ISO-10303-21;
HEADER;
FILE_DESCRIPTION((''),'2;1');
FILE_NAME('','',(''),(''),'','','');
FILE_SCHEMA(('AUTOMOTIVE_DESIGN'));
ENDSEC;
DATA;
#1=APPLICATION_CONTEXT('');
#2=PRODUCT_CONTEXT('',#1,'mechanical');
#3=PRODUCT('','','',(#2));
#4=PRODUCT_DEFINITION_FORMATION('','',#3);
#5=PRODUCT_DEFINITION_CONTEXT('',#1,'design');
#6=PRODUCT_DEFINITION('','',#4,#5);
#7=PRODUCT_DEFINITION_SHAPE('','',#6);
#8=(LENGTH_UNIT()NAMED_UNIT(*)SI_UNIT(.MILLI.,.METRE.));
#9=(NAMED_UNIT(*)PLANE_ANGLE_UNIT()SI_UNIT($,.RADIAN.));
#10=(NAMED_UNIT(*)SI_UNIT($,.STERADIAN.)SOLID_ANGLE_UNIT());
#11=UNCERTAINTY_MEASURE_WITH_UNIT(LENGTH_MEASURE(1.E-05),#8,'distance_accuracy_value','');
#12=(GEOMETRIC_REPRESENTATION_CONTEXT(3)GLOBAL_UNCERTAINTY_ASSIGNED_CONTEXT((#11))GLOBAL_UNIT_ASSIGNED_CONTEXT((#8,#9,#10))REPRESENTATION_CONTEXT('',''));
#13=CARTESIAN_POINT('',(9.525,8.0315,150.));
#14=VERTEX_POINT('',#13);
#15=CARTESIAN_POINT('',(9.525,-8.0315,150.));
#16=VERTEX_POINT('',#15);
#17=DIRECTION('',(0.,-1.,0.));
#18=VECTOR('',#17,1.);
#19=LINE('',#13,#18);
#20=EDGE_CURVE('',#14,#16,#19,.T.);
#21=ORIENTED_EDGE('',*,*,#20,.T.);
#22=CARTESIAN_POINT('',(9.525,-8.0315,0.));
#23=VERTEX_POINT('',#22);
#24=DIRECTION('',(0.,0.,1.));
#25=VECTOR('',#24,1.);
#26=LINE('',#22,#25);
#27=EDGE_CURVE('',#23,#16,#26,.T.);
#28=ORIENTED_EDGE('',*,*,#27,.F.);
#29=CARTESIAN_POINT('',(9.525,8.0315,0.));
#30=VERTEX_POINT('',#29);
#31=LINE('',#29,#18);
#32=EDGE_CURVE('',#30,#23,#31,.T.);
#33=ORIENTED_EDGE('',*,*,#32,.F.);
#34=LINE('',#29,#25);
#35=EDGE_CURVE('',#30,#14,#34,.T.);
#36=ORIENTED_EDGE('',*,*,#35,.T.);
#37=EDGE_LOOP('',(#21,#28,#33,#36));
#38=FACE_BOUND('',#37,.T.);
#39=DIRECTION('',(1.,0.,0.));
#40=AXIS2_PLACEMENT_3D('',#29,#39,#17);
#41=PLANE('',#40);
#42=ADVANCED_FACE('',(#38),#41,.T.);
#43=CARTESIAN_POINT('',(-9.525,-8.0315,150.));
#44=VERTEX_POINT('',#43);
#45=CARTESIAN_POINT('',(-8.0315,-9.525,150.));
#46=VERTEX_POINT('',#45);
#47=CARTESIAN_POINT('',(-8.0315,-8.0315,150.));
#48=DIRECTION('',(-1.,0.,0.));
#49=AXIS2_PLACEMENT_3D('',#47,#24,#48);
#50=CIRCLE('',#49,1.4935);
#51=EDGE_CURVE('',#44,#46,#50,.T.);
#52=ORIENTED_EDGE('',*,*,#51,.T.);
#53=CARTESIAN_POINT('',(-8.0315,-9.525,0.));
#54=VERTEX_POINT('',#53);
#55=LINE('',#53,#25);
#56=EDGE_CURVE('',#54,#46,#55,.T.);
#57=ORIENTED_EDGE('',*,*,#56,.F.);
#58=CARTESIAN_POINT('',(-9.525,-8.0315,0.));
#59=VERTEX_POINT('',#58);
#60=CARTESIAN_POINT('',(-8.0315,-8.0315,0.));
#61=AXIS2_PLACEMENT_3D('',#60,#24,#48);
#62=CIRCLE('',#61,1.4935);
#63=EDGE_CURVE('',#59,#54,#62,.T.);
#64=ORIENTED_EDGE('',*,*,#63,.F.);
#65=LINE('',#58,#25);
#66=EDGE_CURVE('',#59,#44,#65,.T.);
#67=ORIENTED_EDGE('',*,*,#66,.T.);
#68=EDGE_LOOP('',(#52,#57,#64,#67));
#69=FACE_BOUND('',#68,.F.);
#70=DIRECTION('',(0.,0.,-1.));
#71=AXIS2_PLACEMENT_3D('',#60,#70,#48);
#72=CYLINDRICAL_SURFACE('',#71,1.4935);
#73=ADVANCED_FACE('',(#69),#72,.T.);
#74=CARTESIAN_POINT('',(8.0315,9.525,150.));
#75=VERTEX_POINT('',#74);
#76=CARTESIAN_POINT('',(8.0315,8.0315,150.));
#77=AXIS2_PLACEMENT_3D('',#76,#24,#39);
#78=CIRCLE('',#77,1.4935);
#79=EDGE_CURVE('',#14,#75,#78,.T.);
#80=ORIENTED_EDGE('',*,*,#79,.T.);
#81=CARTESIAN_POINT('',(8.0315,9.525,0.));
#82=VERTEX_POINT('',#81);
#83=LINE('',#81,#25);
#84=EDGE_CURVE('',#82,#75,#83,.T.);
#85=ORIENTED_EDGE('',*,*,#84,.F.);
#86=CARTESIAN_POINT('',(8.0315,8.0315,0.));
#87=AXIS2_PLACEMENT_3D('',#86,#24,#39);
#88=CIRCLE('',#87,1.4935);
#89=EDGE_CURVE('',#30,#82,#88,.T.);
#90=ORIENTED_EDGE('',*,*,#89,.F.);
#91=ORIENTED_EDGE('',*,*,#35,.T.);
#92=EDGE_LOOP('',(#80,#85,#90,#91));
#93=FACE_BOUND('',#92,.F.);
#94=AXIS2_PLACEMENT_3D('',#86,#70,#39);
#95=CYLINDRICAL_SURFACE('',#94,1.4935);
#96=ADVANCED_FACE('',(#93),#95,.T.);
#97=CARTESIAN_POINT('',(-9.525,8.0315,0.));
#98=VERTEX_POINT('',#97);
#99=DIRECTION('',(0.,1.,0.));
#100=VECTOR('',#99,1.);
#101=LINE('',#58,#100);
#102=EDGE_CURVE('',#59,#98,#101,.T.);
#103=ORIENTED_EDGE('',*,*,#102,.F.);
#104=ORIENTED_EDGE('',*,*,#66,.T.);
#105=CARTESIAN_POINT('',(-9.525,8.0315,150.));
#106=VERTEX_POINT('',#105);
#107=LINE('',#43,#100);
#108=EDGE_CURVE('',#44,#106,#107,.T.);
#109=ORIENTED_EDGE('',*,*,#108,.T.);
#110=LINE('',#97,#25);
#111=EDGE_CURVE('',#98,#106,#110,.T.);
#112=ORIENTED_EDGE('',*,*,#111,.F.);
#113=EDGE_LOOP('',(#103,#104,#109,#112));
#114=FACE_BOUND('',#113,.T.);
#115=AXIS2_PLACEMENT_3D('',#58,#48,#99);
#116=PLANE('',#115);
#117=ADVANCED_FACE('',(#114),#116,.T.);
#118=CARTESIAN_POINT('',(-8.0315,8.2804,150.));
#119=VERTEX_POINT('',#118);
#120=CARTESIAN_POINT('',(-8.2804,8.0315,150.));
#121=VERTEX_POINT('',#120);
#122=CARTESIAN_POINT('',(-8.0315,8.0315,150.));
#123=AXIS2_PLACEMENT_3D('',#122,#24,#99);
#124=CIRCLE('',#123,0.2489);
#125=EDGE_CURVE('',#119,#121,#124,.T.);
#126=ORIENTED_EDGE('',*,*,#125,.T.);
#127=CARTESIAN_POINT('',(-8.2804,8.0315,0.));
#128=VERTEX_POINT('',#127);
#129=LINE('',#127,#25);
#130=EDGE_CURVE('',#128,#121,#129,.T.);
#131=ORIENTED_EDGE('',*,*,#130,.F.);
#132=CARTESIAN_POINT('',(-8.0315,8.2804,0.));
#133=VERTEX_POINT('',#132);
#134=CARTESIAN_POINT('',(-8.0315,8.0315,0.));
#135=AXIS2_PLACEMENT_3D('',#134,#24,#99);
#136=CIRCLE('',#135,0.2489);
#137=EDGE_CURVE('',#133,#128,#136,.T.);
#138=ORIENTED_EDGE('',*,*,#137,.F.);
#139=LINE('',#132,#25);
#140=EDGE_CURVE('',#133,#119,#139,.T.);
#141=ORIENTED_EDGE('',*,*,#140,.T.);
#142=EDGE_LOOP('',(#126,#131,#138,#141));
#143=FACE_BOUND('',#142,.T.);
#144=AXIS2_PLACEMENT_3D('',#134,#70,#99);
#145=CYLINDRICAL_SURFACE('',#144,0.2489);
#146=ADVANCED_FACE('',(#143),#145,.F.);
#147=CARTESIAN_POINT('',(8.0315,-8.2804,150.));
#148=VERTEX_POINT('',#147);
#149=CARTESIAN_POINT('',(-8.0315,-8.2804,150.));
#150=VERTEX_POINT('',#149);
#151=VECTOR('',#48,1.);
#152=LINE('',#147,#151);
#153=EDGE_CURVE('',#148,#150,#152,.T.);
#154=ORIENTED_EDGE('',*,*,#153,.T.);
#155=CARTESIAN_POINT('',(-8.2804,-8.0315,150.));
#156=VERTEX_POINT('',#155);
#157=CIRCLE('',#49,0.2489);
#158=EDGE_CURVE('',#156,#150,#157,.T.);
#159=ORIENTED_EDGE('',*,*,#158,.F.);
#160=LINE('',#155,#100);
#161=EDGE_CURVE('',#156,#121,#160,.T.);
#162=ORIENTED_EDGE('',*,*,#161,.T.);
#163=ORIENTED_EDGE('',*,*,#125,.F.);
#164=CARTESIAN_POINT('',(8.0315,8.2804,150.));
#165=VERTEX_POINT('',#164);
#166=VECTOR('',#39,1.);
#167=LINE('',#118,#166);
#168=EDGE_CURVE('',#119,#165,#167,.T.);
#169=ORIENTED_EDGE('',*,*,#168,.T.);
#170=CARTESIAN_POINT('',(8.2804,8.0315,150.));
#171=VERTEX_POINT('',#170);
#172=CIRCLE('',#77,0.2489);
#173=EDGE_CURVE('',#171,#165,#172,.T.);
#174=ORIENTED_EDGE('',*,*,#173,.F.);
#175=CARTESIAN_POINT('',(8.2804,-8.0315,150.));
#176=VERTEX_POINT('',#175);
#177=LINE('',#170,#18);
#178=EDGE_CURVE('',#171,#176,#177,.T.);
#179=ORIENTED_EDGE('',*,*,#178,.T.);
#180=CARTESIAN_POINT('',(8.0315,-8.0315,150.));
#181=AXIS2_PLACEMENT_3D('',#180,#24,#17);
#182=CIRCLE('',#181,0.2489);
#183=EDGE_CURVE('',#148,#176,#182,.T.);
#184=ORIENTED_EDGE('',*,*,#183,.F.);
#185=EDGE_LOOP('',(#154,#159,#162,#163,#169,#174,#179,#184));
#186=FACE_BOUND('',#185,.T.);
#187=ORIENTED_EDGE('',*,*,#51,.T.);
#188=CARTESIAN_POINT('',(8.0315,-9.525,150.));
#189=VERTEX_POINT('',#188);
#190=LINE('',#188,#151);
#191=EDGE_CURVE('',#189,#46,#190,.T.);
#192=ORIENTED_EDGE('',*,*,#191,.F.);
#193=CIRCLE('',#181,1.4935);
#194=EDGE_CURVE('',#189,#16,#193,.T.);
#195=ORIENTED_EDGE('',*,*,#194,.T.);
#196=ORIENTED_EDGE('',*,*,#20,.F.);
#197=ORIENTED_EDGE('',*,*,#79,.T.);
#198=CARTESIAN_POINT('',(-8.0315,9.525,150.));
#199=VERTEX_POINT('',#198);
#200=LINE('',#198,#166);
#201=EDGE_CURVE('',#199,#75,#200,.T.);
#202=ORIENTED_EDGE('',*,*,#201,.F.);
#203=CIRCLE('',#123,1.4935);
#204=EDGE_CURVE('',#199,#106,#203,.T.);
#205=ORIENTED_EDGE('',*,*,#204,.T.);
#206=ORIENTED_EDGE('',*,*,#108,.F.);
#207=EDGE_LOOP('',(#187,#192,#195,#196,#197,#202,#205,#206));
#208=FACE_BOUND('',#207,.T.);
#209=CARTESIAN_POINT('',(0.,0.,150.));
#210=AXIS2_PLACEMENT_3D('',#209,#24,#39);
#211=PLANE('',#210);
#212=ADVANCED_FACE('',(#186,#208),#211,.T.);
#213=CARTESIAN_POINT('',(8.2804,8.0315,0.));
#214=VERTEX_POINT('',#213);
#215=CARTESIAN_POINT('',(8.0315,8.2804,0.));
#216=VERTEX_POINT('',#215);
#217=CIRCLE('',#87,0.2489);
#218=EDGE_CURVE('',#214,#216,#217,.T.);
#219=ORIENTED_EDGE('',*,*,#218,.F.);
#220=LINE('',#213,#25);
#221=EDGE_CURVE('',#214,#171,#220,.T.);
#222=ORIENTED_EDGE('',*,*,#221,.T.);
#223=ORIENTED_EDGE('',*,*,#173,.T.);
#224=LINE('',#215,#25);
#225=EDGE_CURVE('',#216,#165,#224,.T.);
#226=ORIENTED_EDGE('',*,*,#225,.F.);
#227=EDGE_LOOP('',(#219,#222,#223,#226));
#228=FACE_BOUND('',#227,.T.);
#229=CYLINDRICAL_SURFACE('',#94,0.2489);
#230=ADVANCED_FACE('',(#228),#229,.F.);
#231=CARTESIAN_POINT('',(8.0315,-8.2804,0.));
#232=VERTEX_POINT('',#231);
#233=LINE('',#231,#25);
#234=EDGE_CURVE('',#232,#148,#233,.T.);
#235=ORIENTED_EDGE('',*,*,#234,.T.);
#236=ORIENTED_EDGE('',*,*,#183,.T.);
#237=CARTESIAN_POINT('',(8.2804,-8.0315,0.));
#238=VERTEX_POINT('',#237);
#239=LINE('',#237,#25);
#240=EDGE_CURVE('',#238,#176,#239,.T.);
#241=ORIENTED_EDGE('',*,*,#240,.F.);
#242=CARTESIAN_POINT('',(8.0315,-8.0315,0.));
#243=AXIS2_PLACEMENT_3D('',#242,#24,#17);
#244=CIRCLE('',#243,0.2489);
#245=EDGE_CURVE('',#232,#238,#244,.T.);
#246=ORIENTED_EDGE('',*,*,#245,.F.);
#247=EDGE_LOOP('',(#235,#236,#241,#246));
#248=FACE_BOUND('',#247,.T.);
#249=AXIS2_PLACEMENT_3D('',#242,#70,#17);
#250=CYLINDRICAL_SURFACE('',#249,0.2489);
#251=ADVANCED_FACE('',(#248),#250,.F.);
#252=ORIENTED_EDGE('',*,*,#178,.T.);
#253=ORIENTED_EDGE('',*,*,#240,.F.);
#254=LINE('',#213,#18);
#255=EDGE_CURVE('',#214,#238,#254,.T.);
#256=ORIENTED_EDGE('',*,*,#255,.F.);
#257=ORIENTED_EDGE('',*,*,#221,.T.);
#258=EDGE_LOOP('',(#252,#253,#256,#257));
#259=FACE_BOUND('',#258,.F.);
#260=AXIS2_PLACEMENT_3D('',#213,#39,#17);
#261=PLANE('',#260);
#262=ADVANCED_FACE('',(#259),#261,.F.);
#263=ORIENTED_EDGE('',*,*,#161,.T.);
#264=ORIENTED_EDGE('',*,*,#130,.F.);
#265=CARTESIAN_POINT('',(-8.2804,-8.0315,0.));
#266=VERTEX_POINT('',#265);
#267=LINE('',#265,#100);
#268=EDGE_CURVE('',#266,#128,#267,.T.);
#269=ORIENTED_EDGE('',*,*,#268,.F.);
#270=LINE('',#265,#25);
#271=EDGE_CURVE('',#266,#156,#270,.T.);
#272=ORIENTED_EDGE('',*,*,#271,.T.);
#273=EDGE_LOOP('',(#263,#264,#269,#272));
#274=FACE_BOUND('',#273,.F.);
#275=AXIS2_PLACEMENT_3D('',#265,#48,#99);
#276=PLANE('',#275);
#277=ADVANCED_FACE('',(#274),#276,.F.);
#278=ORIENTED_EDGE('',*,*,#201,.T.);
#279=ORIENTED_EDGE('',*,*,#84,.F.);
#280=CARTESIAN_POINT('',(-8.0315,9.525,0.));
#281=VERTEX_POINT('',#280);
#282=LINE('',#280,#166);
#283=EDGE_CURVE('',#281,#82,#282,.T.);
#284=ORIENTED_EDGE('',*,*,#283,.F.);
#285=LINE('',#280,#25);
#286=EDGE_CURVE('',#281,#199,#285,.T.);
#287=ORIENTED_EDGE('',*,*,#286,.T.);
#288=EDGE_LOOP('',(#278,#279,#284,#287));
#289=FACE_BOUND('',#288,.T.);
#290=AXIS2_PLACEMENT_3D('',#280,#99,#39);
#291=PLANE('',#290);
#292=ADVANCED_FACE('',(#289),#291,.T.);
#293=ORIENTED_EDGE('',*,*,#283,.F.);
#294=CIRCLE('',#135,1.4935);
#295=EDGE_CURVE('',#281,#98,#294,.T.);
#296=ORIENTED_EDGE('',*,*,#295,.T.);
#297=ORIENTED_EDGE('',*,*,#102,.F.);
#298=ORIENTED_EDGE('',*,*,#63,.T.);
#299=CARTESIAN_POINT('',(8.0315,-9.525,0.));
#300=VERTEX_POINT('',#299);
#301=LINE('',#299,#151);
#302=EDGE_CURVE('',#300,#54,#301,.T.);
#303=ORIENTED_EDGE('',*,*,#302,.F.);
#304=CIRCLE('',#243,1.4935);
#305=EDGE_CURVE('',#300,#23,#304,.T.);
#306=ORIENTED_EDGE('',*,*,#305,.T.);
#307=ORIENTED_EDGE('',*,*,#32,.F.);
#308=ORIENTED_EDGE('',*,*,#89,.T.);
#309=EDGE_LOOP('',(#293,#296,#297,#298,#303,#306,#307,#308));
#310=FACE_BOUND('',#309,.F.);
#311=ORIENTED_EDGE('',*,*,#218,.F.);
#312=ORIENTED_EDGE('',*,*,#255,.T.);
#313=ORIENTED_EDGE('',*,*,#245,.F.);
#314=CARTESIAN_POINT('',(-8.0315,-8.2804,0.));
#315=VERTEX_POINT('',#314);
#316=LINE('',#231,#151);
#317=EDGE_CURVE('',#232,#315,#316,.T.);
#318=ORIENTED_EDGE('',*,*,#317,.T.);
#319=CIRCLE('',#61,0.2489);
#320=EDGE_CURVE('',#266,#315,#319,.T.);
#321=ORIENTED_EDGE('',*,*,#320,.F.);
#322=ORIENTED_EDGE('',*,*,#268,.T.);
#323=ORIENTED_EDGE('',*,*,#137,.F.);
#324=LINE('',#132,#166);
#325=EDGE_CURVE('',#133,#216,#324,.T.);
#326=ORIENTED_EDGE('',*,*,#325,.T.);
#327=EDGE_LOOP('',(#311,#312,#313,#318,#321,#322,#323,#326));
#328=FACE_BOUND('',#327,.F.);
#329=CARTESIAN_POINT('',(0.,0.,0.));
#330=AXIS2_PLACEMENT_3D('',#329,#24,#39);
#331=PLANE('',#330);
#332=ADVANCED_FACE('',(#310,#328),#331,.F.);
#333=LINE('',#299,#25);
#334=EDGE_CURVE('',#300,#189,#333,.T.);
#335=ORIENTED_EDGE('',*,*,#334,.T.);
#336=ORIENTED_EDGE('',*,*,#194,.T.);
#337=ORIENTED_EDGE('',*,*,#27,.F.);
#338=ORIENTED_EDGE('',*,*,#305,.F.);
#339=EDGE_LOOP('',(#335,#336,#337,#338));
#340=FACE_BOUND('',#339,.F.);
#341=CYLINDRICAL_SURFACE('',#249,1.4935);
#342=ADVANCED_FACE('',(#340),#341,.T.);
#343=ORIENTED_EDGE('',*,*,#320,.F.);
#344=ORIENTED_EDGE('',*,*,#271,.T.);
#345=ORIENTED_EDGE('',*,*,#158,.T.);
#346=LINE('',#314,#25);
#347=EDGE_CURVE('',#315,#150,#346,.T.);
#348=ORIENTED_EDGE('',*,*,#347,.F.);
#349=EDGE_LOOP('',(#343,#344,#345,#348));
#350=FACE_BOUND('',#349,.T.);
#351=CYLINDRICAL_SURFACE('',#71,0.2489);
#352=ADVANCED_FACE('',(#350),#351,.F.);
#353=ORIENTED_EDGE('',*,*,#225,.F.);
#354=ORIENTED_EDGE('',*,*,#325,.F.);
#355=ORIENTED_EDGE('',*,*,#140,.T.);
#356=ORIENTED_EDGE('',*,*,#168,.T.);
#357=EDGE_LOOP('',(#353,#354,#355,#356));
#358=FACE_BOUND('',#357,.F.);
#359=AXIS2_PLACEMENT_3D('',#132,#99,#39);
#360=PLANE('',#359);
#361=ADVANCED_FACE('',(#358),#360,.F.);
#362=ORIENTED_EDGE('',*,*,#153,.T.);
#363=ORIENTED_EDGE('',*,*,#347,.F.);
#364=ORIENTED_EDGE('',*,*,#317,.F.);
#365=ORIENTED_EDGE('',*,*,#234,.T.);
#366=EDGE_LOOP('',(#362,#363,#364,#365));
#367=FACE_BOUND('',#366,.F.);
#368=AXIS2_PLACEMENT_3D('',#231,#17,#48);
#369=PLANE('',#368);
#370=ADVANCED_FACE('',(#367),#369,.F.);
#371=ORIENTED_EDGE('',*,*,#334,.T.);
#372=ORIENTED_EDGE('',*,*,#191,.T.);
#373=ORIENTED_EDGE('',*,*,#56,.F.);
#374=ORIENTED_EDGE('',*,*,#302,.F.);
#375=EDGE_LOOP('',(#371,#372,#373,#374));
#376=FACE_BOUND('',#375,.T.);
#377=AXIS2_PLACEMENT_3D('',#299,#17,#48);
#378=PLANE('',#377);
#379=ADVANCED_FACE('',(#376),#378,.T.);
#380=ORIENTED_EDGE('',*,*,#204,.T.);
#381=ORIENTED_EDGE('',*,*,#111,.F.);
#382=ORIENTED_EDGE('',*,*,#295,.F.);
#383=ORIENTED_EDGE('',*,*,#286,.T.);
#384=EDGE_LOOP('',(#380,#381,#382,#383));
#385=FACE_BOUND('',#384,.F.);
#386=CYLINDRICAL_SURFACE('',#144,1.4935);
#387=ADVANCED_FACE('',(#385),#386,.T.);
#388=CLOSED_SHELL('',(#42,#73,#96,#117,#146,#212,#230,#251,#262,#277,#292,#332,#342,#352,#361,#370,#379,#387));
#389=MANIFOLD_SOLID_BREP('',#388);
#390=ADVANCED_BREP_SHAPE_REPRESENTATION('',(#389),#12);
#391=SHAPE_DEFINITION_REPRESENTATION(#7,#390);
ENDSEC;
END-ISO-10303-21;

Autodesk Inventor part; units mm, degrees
ref_plane "YZ Plane" through (0, 0, 0) normal (1, 0, 0) x (0, 1, 0)
ref_plane "Start Plane" through (0, 0, 0) normal (0, 0, 1) x (1, 0, 0)
ref_plane "End Plane" through (0, 0, 150) normal (0, 0, 1) x (1, 0, 0)
sketch "Sketch" plane through (0, 0, 0) normal (0, 0, 1) x (1, 0, 0)
  line L0 (-9.525, -8.0315) -> (-9.525, 8.0315)
  line L1 (-8.0315, 9.525) -> (8.0315, 9.525)
  line L2 (9.525, 8.0315) -> (9.525, -8.0315)
  line L3 (8.0315, -9.525) -> (-8.0315, -9.525)
  arc A0 (-9.525, -8.0315) -> (-8.0315, -9.525) centre (-8.0315, -8.0315) ccw
  arc A1 (-8.0315, 9.525) -> (-9.525, 8.0315) centre (-8.0315, 8.0315) ccw
  arc A2 (9.525, 8.0315) -> (8.0315, 9.525) centre (8.0315, 8.0315) ccw
  arc A3 (8.0315, -9.525) -> (9.525, -8.0315) centre (8.0315, -8.0315) ccw
  arc A4 (-8.0315, 8.2804) -> (-8.2804, 8.0315) centre (-8.0315, 8.0315) ccw
  line L4 (-8.0315, 8.2804) -> (8.0315, 8.2804)
  arc A5 (8.2804, 8.0315) -> (8.0315, 8.2804) centre (8.0315, 8.0315) ccw
  line L5 (8.2804, 8.0315) -> (8.2804, -8.0315)
  arc A6 (8.0315, -8.2804) -> (8.2804, -8.0315) centre (8.0315, -8.0315) ccw
  line L6 (8.0315, -8.2804) -> (-8.0315, -8.2804)
  arc A7 (-8.2804, -8.0315) -> (-8.0315, -8.2804) centre (-8.0315, -8.0315) ccw
  line L7 (-8.2804, -8.0315) -> (-8.2804, 8.0315)
  line L8 (0, 13.768) -> (0, -13.768) construction
  line L9 (-13.8012, 0) -> (13.9669, 0) construction
  dimension "d10" = 19.05
  dimension "d11" = 19.05
  dimension "d12" = 1.2446
  dimension "d15" = 9.525
  dimension "d16" = 9.525
  dimension "d17" = 1.4935
extrude "Body" add sketch "Sketch" along normal up to surface (150 mm away) from surface at 0
sketch "Sketch3" plane through (0, 0, 0) normal (0, 0, 1) x (1, 0, 0)
  line L0 (0, 0) -> (10, 0)
ref_plane "Work Plane3" through (0, 0, 0) normal (0, -1, 0) x (1, 0, 0)
sketch "Sketch4" plane through (0, 0, 0) normal (0, -1, 0) x (1, 0, 0)
  line L0 (-2, 0) -> (12, 0) projected
  line L1 (-2, 150) -> (12, 150) projected
  dimension "d19" = 150
equation "\"d10\" = G_H"
equation "\"d11\" = G_W"
equation "\"d12\" = G_T"
equation "\"d15\" = 0.5 * d10"
equation "\"d16\" = 0.5 * d11"
equation "\"d17\" = G_IR"
equation "\"d3\" = G_L"
equation "\"G_W\" = 19.05"
equation "\"G_H\" = 19.05"
equation "\"G_T\" = 1.2446"
equation "\"G_IR\" = 1.2 * G_T"
equation "\"G_L\" = d19"
equation "\"G_OFFSET_START\" = 0"
equation "\"G_OFFSET_END\" = 0"
equation "\"d14\" = G_OFFSET_END + B_L"
equation "\"B_L\" = 150"
properties part number "ASTM A513 - 3/4 x 3/4 x 49/1000 - 5.906" material "Steel, Mild"
